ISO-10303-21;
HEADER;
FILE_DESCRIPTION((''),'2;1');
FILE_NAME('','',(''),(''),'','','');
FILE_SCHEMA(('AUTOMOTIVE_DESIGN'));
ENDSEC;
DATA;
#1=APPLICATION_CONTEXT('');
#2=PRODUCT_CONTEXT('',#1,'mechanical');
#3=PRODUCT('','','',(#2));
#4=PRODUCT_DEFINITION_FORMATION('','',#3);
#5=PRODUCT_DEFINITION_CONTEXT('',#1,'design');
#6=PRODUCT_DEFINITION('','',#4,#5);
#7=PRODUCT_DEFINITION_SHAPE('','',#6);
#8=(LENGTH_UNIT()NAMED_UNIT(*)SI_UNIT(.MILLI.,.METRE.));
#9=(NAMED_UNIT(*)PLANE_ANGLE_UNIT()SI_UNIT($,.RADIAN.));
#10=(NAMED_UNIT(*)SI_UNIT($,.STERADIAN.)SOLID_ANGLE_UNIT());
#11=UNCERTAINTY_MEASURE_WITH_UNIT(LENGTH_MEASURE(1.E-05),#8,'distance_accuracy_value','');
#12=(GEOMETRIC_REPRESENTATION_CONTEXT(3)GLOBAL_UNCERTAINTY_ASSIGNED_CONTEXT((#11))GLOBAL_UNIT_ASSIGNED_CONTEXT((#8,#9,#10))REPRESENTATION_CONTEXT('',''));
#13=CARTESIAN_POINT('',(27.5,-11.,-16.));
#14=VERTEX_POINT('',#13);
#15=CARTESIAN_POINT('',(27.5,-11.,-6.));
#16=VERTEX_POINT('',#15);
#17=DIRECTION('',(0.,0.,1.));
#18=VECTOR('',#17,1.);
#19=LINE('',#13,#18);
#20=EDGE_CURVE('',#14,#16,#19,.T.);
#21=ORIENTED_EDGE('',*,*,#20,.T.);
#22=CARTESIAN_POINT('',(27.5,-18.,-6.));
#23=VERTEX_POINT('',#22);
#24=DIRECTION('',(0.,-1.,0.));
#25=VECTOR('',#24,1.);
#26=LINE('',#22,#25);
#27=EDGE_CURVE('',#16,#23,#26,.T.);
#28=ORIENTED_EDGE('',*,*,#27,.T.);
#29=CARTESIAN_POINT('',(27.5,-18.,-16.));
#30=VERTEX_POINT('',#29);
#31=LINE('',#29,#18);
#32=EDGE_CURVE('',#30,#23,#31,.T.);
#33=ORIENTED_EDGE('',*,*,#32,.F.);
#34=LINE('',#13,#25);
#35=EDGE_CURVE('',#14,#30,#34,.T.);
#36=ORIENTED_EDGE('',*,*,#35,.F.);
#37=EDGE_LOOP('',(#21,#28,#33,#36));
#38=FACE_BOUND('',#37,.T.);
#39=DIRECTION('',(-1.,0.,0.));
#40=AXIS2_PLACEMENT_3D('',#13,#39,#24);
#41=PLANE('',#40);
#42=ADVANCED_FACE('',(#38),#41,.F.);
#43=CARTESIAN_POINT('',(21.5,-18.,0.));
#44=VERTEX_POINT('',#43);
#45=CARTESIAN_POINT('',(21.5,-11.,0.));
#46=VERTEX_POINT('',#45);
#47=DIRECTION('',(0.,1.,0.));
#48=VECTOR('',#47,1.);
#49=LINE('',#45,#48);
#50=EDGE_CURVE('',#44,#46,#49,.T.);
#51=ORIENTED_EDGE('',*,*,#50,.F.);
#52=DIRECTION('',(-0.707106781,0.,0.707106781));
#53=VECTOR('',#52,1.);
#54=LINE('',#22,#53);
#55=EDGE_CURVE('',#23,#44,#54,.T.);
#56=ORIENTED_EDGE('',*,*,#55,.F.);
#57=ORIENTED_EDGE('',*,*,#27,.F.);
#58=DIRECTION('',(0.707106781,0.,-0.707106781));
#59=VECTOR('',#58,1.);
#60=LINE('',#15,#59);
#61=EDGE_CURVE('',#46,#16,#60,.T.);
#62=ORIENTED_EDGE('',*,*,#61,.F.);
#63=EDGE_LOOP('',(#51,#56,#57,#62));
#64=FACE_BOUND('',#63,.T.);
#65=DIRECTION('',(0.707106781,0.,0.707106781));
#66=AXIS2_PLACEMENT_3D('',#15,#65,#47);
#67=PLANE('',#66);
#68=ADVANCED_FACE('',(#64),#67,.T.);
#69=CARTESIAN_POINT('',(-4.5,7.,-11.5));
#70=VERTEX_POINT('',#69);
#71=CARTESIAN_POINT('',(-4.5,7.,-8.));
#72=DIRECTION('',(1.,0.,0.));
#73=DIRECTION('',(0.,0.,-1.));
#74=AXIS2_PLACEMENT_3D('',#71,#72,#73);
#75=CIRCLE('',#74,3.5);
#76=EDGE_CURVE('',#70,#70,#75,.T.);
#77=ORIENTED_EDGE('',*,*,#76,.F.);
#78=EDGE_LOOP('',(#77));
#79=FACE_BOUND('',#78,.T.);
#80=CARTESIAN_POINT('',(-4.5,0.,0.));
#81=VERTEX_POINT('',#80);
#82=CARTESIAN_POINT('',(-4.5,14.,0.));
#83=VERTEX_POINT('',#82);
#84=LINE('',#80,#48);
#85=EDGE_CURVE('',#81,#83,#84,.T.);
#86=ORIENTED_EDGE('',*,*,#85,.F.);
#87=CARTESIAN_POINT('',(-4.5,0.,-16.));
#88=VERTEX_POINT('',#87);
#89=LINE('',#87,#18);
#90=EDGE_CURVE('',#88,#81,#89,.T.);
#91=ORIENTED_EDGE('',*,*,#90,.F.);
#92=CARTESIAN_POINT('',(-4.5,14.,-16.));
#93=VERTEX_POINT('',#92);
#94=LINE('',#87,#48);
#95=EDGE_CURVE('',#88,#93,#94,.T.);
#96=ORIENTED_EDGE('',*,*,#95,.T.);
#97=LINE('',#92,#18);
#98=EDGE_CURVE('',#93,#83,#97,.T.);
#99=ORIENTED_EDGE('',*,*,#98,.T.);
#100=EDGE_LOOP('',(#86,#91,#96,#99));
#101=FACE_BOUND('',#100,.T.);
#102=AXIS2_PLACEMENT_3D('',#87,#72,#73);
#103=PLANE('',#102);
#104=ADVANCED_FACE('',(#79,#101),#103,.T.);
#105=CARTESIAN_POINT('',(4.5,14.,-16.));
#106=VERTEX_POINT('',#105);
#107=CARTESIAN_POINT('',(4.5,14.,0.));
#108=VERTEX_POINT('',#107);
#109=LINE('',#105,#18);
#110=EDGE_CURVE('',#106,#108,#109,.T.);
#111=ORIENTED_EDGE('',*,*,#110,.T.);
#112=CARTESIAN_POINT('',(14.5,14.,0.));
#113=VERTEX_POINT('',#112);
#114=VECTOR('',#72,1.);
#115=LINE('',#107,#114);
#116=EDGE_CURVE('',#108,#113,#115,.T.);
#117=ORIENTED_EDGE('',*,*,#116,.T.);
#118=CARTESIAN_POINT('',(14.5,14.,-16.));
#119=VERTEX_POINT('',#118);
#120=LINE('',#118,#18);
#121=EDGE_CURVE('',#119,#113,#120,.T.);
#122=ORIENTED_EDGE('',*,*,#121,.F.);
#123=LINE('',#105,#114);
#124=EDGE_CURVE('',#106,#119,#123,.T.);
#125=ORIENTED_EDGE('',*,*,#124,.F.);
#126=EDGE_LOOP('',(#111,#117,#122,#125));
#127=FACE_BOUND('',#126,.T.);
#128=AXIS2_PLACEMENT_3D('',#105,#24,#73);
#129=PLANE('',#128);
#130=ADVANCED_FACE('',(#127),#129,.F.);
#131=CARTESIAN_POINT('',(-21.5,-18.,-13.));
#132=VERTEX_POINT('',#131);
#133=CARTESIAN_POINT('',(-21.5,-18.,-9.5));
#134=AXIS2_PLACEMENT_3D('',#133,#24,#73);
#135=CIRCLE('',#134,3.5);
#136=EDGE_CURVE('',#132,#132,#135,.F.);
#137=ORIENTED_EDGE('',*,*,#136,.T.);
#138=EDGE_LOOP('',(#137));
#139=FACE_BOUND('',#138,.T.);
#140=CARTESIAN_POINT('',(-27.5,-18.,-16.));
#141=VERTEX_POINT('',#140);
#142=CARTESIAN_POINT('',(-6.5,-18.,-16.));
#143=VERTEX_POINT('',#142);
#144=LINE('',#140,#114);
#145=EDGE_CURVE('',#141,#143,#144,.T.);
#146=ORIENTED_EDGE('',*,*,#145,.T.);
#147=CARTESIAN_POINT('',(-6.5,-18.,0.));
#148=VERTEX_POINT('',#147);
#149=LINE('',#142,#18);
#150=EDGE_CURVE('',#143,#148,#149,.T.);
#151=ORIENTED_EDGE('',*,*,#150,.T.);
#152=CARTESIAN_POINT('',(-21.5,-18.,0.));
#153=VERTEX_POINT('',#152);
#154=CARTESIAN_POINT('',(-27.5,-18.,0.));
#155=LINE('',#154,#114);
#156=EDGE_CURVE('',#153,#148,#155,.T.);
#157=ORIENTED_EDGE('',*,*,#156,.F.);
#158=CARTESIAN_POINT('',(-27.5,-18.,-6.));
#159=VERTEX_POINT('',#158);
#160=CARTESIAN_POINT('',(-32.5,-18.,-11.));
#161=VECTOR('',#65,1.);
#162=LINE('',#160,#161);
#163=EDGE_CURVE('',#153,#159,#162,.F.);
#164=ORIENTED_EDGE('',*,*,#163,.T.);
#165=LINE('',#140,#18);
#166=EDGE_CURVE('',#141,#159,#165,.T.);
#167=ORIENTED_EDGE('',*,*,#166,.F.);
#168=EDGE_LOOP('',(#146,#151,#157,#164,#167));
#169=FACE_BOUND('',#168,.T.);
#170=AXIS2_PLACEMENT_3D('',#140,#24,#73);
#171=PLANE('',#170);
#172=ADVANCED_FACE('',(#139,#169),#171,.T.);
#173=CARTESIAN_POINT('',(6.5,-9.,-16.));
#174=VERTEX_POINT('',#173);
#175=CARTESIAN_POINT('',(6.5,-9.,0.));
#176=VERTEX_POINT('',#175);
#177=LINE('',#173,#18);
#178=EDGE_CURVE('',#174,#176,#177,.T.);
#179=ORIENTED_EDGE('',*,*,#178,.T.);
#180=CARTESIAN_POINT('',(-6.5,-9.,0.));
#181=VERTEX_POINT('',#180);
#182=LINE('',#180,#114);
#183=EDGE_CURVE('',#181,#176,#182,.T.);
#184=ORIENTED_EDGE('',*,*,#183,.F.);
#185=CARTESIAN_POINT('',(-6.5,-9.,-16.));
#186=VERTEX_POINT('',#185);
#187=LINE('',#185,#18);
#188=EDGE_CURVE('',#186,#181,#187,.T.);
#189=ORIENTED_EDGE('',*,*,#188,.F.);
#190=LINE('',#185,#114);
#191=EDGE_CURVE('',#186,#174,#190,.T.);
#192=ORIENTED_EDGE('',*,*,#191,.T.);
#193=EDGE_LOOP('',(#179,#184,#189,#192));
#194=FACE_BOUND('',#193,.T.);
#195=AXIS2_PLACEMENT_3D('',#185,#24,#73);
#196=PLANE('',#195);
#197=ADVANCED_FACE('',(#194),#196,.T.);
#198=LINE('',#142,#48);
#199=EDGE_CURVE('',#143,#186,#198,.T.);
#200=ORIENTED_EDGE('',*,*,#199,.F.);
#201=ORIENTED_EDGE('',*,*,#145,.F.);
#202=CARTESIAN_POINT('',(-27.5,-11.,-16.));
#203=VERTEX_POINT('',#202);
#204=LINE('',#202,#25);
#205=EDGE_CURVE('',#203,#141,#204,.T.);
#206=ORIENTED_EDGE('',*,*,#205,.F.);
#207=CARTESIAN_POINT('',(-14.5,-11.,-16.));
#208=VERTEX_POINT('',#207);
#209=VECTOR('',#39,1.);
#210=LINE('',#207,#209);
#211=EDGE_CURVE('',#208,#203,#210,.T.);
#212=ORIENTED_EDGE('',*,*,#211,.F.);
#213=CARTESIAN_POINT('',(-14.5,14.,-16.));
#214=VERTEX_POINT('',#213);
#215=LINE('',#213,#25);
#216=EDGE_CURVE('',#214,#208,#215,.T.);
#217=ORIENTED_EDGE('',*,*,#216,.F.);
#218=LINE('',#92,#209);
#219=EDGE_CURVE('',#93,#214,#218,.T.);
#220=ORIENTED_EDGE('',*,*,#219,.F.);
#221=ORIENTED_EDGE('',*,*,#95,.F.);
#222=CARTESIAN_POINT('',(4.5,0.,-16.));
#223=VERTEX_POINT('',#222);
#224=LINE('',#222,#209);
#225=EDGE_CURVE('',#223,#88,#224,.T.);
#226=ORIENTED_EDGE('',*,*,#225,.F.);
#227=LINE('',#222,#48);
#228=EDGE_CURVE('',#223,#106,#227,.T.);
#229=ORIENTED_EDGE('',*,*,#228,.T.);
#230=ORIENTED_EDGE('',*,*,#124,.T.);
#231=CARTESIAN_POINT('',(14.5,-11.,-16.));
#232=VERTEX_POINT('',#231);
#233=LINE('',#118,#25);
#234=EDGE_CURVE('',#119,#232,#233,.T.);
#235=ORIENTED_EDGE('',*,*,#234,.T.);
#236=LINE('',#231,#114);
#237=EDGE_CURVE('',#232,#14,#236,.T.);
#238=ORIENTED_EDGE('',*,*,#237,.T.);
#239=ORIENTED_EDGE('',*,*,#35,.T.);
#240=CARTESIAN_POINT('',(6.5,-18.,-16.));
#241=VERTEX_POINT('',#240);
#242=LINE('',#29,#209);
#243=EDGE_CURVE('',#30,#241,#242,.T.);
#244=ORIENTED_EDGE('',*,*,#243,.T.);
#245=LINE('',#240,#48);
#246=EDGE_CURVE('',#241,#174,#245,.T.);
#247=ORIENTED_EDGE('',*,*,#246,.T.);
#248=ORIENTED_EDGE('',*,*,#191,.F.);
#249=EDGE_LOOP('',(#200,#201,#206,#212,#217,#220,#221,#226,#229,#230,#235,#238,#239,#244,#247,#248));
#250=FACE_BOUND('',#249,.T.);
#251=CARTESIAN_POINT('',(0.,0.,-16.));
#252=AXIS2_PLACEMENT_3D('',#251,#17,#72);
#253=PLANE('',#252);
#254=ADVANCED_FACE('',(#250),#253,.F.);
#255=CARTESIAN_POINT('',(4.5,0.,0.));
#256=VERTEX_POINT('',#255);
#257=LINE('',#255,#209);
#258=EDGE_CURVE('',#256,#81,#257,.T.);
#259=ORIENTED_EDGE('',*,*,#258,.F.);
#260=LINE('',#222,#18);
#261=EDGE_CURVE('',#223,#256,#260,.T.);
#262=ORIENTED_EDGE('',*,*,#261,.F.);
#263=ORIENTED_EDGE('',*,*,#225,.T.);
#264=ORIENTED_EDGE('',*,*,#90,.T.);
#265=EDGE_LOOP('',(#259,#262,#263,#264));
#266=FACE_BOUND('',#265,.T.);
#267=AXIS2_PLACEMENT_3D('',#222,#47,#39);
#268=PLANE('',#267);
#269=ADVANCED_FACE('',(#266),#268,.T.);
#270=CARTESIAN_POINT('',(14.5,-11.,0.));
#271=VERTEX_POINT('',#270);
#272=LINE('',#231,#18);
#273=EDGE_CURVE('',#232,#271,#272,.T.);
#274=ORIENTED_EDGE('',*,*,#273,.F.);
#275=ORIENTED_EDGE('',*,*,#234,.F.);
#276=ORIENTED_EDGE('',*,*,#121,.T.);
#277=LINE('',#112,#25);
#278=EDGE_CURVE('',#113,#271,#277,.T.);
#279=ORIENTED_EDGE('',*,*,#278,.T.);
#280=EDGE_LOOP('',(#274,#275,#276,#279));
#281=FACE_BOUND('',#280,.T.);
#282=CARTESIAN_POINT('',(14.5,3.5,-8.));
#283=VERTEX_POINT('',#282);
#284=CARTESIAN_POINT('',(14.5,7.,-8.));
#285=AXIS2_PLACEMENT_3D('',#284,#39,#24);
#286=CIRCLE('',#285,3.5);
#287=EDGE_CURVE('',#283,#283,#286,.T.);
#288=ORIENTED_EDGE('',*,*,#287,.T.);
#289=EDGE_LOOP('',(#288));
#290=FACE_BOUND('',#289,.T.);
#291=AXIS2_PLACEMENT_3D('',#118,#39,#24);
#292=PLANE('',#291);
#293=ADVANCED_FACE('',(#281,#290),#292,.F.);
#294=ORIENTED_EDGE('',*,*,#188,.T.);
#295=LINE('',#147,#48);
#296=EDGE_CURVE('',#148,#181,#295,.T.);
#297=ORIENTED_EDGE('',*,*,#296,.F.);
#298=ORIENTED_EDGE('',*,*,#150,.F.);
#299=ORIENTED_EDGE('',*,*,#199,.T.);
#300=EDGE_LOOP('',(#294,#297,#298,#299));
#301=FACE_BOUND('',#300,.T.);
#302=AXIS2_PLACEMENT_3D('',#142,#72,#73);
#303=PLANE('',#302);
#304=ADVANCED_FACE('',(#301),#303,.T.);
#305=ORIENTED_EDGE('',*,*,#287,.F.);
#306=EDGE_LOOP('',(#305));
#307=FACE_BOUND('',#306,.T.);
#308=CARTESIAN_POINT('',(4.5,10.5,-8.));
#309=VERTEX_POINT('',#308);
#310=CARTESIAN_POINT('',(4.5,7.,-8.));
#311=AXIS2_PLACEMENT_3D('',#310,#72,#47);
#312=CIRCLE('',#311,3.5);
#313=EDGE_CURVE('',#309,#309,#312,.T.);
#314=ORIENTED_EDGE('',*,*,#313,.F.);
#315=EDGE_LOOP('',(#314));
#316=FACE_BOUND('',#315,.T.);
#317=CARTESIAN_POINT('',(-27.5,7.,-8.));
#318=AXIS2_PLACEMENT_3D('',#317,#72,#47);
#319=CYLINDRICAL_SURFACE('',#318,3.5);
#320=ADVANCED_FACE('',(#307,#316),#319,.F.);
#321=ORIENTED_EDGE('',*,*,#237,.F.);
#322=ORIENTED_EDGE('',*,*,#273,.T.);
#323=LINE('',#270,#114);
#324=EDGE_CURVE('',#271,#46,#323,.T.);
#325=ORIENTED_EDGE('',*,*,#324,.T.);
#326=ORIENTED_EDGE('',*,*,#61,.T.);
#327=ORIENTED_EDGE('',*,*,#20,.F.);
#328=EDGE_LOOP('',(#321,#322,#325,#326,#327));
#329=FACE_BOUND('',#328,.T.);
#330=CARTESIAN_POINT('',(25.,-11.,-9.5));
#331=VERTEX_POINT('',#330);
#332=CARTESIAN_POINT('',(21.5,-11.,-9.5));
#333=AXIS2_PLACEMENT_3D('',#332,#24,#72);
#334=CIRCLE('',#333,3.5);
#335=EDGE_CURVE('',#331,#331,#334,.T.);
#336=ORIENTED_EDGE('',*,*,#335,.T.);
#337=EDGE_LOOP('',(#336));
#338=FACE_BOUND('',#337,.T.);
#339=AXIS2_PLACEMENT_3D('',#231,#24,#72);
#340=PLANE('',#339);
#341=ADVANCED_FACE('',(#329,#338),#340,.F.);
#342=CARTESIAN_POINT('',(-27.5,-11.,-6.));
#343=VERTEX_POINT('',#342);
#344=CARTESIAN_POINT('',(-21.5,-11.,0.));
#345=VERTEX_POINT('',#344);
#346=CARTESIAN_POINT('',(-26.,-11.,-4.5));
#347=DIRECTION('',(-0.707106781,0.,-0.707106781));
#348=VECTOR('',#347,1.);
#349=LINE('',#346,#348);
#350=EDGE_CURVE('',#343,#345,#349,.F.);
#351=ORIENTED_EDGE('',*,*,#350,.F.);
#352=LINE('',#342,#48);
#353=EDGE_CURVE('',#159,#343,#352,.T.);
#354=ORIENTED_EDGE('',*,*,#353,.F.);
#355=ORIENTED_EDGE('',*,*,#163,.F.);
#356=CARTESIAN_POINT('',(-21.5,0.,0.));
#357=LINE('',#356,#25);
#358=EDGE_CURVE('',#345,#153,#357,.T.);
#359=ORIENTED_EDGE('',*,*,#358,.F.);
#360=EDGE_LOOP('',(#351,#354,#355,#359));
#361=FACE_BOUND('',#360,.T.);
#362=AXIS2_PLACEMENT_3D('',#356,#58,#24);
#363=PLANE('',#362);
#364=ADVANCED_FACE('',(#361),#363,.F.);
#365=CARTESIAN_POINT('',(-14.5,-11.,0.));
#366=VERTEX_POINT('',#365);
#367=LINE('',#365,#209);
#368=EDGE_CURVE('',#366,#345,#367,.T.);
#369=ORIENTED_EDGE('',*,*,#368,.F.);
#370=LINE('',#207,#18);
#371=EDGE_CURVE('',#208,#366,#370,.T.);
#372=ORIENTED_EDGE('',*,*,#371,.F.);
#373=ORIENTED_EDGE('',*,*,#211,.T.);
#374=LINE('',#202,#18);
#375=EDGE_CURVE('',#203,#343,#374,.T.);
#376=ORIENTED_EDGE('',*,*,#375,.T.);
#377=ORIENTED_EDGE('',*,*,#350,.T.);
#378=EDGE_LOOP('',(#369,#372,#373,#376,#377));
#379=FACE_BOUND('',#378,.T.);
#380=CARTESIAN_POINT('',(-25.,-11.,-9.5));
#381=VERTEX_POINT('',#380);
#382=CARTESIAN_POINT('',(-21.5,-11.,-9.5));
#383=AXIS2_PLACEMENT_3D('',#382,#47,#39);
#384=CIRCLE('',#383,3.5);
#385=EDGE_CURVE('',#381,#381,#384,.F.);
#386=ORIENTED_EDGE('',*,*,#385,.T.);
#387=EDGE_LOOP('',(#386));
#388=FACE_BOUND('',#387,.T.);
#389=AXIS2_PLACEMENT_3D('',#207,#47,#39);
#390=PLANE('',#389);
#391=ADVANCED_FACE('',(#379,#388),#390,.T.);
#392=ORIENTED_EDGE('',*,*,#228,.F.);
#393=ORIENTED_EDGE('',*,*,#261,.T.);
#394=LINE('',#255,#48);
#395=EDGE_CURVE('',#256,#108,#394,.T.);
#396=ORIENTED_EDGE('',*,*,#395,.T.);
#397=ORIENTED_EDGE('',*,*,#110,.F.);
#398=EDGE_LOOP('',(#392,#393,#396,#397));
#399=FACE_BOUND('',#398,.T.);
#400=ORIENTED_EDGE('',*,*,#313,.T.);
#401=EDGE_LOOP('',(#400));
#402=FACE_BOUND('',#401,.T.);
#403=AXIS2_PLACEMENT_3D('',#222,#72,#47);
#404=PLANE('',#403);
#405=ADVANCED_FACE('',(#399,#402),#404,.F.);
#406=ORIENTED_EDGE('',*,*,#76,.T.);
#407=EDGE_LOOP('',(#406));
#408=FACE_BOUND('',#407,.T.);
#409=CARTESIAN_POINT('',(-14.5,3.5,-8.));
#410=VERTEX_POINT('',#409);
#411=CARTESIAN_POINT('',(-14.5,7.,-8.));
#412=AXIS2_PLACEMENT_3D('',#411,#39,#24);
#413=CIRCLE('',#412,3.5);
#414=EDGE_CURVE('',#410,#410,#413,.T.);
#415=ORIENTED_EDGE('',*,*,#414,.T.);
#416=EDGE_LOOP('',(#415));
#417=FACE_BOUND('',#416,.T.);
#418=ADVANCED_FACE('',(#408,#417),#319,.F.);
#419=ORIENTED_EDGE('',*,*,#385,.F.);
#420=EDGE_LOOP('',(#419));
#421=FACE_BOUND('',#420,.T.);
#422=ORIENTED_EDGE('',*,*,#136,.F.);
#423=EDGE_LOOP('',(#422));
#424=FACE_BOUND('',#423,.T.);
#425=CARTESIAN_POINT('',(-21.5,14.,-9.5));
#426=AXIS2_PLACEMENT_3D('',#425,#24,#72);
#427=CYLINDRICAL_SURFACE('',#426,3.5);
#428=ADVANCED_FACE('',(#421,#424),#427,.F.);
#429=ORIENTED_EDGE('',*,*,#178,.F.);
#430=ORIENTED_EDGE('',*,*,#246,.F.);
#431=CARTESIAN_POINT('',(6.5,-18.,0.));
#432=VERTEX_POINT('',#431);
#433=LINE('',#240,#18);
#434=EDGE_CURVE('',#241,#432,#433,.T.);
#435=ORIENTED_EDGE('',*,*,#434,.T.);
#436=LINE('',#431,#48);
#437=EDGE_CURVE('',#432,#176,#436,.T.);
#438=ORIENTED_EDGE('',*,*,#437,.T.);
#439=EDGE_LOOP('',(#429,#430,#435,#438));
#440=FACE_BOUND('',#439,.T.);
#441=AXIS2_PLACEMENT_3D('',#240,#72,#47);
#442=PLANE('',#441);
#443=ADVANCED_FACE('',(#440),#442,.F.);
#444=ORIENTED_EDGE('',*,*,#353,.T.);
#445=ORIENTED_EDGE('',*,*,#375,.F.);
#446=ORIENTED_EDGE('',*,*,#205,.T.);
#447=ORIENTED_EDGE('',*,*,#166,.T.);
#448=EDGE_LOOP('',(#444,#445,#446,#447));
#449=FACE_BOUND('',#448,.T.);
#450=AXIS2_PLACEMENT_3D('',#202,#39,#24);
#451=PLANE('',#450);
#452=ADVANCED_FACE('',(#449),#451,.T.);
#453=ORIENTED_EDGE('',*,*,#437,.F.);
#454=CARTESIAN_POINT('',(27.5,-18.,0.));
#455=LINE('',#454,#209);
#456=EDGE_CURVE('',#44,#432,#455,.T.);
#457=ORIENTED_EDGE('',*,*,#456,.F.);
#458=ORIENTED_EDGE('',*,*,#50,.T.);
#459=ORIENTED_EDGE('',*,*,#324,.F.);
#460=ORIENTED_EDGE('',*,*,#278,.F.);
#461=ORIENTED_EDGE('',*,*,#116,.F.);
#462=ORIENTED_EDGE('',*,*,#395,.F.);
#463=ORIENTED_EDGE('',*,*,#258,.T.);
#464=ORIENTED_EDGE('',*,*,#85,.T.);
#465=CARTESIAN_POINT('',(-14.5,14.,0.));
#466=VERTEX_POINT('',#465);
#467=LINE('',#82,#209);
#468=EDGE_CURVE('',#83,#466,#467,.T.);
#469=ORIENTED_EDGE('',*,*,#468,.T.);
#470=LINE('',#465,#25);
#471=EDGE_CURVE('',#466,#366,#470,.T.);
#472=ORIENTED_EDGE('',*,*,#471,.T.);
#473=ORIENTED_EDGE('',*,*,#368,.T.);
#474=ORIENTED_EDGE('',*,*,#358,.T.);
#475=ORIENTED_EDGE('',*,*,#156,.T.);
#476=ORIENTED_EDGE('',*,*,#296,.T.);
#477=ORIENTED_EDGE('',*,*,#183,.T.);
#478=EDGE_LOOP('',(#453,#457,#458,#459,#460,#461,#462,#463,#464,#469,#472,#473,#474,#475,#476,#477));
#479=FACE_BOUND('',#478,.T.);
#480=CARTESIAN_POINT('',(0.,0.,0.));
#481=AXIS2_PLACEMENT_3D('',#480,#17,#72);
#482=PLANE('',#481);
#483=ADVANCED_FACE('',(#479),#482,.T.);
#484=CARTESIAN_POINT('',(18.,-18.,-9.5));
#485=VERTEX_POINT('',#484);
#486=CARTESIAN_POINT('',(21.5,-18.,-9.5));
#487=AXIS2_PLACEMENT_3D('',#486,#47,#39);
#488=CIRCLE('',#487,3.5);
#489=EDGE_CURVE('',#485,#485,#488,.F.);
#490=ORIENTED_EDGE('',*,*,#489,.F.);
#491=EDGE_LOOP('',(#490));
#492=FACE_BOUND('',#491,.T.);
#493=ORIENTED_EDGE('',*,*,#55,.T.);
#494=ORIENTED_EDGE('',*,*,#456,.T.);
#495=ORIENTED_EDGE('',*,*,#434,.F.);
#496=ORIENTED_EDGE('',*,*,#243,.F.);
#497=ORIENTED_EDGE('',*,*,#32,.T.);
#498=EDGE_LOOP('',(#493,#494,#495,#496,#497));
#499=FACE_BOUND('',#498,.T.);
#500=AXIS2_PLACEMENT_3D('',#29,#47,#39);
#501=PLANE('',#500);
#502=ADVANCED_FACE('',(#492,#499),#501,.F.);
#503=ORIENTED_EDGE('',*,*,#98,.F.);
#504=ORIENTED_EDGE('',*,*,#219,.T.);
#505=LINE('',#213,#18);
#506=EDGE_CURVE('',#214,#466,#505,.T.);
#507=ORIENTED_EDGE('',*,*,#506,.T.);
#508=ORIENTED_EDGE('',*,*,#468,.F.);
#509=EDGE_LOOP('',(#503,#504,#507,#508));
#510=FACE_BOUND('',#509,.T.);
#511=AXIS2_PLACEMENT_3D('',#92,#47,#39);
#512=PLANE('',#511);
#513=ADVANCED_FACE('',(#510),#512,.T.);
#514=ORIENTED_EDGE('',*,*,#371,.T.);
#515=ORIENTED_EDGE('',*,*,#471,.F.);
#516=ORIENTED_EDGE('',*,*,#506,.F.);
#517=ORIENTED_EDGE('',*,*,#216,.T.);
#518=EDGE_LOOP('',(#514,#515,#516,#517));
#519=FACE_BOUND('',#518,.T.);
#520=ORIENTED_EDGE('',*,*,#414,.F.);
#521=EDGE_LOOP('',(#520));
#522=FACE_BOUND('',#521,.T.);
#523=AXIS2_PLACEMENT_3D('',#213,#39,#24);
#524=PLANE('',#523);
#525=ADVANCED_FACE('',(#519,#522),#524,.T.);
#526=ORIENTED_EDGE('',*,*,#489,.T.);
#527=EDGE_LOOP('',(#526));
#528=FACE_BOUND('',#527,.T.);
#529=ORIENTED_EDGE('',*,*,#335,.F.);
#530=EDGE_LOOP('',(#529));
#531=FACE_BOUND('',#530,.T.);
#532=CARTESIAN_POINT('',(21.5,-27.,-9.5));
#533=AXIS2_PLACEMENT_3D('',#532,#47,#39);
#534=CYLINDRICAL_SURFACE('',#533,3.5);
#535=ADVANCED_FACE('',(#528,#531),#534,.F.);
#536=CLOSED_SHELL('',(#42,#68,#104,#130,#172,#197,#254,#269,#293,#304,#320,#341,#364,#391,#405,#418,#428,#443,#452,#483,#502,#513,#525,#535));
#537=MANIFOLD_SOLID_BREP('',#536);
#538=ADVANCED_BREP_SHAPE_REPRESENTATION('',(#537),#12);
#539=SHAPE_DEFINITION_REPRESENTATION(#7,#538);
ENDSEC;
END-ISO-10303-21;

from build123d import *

# Parameters (mm, degrees)
BOSS_EXTRUDE1_DEPTH     = 16
CUT_EXTRUDE1_DEPTH      = 49.414873748
CUT_EXTRUDE1_DEPTH_BACK = 49.414873748
SKETCH2_R               = 3.5
CHAMFER1_SIZE           = 6
CHAMFER2_SIZE           = 6
CUT_EXTRUDE2_DEPTH      = 41.462946012
CUT_EXTRUDE2_DEPTH_BACK = 16
SKETCH6_R               = 3.5
SKETCH6_3_R             = 3.5
CUT_EXTRUDE3_DEPTH      = 16


with BuildPart() as part:
    # Sketch1 → Boss-Extrude1 (new body)
    with BuildSketch(Plane.XY):
        Polygon((4.5, 0), (-4.5, 0), (-4.5, 14), (-14.5, 14), (-14.5, -11), (-27.5, -11), (-27.5, -18), (-6.5, -18), (-6.5, -9), (6.5, -9), (6.5, -18), (27.5, -18), (27.5, -11), (14.5, -11), (14.5, 14), (4.5, 14), align=None)
    extrude(amount=-BOSS_EXTRUDE1_DEPTH)

    # Sketch2 → Cut-Extrude1 (cut, two sides: drawn at the far end of the back side and taken through both)
    with BuildSketch(Plane(origin=(14.5, 0, 0), x_dir=(0, 0, -1), z_dir=(1, 0, 0)).offset(-CUT_EXTRUDE1_DEPTH_BACK)):
        with Locations((8, 7)):
            Circle(SKETCH2_R)
    extrude(amount=CUT_EXTRUDE1_DEPTH + CUT_EXTRUDE1_DEPTH_BACK, mode=Mode.SUBTRACT)

    # Chamfer1
    chamfer1_edges = [part.edges().sort_by_distance(p)[0] for p in [
        (-27.5, -14.5, 0),
    ]]
    chamfer(chamfer1_edges, length=CHAMFER1_SIZE)

    # Chamfer2
    chamfer2_edges = [part.edges().sort_by_distance(p)[0] for p in [
        (27.5, -14.5, 0),
    ]]
    chamfer(chamfer2_edges, length=CHAMFER2_SIZE)

    # Sketch6 → Cut-Extrude2 (cut, two sides: drawn at the far end of the back side and taken through both)
    with BuildSketch(Plane(origin=(0, -11, 0), x_dir=(1, 0, 0), z_dir=(0, 1, 0)).offset(-CUT_EXTRUDE2_DEPTH_BACK)):
        with Locations((-21.5, 9.5)):
            Circle(SKETCH6_R)
    extrude(amount=CUT_EXTRUDE2_DEPTH + CUT_EXTRUDE2_DEPTH_BACK, mode=Mode.SUBTRACT)

    # Sketch6<3> → Cut-Extrude3 (cut)
    with BuildSketch(Plane(origin=(0, -11, 0), x_dir=(1, 0, 0), z_dir=(0, 1, 0))):
        with Locations((21.5, 9.5)):
            Circle(SKETCH6_3_R)
    extrude(amount=-CUT_EXTRUDE3_DEPTH, mode=Mode.SUBTRACT)


solid = part.part
